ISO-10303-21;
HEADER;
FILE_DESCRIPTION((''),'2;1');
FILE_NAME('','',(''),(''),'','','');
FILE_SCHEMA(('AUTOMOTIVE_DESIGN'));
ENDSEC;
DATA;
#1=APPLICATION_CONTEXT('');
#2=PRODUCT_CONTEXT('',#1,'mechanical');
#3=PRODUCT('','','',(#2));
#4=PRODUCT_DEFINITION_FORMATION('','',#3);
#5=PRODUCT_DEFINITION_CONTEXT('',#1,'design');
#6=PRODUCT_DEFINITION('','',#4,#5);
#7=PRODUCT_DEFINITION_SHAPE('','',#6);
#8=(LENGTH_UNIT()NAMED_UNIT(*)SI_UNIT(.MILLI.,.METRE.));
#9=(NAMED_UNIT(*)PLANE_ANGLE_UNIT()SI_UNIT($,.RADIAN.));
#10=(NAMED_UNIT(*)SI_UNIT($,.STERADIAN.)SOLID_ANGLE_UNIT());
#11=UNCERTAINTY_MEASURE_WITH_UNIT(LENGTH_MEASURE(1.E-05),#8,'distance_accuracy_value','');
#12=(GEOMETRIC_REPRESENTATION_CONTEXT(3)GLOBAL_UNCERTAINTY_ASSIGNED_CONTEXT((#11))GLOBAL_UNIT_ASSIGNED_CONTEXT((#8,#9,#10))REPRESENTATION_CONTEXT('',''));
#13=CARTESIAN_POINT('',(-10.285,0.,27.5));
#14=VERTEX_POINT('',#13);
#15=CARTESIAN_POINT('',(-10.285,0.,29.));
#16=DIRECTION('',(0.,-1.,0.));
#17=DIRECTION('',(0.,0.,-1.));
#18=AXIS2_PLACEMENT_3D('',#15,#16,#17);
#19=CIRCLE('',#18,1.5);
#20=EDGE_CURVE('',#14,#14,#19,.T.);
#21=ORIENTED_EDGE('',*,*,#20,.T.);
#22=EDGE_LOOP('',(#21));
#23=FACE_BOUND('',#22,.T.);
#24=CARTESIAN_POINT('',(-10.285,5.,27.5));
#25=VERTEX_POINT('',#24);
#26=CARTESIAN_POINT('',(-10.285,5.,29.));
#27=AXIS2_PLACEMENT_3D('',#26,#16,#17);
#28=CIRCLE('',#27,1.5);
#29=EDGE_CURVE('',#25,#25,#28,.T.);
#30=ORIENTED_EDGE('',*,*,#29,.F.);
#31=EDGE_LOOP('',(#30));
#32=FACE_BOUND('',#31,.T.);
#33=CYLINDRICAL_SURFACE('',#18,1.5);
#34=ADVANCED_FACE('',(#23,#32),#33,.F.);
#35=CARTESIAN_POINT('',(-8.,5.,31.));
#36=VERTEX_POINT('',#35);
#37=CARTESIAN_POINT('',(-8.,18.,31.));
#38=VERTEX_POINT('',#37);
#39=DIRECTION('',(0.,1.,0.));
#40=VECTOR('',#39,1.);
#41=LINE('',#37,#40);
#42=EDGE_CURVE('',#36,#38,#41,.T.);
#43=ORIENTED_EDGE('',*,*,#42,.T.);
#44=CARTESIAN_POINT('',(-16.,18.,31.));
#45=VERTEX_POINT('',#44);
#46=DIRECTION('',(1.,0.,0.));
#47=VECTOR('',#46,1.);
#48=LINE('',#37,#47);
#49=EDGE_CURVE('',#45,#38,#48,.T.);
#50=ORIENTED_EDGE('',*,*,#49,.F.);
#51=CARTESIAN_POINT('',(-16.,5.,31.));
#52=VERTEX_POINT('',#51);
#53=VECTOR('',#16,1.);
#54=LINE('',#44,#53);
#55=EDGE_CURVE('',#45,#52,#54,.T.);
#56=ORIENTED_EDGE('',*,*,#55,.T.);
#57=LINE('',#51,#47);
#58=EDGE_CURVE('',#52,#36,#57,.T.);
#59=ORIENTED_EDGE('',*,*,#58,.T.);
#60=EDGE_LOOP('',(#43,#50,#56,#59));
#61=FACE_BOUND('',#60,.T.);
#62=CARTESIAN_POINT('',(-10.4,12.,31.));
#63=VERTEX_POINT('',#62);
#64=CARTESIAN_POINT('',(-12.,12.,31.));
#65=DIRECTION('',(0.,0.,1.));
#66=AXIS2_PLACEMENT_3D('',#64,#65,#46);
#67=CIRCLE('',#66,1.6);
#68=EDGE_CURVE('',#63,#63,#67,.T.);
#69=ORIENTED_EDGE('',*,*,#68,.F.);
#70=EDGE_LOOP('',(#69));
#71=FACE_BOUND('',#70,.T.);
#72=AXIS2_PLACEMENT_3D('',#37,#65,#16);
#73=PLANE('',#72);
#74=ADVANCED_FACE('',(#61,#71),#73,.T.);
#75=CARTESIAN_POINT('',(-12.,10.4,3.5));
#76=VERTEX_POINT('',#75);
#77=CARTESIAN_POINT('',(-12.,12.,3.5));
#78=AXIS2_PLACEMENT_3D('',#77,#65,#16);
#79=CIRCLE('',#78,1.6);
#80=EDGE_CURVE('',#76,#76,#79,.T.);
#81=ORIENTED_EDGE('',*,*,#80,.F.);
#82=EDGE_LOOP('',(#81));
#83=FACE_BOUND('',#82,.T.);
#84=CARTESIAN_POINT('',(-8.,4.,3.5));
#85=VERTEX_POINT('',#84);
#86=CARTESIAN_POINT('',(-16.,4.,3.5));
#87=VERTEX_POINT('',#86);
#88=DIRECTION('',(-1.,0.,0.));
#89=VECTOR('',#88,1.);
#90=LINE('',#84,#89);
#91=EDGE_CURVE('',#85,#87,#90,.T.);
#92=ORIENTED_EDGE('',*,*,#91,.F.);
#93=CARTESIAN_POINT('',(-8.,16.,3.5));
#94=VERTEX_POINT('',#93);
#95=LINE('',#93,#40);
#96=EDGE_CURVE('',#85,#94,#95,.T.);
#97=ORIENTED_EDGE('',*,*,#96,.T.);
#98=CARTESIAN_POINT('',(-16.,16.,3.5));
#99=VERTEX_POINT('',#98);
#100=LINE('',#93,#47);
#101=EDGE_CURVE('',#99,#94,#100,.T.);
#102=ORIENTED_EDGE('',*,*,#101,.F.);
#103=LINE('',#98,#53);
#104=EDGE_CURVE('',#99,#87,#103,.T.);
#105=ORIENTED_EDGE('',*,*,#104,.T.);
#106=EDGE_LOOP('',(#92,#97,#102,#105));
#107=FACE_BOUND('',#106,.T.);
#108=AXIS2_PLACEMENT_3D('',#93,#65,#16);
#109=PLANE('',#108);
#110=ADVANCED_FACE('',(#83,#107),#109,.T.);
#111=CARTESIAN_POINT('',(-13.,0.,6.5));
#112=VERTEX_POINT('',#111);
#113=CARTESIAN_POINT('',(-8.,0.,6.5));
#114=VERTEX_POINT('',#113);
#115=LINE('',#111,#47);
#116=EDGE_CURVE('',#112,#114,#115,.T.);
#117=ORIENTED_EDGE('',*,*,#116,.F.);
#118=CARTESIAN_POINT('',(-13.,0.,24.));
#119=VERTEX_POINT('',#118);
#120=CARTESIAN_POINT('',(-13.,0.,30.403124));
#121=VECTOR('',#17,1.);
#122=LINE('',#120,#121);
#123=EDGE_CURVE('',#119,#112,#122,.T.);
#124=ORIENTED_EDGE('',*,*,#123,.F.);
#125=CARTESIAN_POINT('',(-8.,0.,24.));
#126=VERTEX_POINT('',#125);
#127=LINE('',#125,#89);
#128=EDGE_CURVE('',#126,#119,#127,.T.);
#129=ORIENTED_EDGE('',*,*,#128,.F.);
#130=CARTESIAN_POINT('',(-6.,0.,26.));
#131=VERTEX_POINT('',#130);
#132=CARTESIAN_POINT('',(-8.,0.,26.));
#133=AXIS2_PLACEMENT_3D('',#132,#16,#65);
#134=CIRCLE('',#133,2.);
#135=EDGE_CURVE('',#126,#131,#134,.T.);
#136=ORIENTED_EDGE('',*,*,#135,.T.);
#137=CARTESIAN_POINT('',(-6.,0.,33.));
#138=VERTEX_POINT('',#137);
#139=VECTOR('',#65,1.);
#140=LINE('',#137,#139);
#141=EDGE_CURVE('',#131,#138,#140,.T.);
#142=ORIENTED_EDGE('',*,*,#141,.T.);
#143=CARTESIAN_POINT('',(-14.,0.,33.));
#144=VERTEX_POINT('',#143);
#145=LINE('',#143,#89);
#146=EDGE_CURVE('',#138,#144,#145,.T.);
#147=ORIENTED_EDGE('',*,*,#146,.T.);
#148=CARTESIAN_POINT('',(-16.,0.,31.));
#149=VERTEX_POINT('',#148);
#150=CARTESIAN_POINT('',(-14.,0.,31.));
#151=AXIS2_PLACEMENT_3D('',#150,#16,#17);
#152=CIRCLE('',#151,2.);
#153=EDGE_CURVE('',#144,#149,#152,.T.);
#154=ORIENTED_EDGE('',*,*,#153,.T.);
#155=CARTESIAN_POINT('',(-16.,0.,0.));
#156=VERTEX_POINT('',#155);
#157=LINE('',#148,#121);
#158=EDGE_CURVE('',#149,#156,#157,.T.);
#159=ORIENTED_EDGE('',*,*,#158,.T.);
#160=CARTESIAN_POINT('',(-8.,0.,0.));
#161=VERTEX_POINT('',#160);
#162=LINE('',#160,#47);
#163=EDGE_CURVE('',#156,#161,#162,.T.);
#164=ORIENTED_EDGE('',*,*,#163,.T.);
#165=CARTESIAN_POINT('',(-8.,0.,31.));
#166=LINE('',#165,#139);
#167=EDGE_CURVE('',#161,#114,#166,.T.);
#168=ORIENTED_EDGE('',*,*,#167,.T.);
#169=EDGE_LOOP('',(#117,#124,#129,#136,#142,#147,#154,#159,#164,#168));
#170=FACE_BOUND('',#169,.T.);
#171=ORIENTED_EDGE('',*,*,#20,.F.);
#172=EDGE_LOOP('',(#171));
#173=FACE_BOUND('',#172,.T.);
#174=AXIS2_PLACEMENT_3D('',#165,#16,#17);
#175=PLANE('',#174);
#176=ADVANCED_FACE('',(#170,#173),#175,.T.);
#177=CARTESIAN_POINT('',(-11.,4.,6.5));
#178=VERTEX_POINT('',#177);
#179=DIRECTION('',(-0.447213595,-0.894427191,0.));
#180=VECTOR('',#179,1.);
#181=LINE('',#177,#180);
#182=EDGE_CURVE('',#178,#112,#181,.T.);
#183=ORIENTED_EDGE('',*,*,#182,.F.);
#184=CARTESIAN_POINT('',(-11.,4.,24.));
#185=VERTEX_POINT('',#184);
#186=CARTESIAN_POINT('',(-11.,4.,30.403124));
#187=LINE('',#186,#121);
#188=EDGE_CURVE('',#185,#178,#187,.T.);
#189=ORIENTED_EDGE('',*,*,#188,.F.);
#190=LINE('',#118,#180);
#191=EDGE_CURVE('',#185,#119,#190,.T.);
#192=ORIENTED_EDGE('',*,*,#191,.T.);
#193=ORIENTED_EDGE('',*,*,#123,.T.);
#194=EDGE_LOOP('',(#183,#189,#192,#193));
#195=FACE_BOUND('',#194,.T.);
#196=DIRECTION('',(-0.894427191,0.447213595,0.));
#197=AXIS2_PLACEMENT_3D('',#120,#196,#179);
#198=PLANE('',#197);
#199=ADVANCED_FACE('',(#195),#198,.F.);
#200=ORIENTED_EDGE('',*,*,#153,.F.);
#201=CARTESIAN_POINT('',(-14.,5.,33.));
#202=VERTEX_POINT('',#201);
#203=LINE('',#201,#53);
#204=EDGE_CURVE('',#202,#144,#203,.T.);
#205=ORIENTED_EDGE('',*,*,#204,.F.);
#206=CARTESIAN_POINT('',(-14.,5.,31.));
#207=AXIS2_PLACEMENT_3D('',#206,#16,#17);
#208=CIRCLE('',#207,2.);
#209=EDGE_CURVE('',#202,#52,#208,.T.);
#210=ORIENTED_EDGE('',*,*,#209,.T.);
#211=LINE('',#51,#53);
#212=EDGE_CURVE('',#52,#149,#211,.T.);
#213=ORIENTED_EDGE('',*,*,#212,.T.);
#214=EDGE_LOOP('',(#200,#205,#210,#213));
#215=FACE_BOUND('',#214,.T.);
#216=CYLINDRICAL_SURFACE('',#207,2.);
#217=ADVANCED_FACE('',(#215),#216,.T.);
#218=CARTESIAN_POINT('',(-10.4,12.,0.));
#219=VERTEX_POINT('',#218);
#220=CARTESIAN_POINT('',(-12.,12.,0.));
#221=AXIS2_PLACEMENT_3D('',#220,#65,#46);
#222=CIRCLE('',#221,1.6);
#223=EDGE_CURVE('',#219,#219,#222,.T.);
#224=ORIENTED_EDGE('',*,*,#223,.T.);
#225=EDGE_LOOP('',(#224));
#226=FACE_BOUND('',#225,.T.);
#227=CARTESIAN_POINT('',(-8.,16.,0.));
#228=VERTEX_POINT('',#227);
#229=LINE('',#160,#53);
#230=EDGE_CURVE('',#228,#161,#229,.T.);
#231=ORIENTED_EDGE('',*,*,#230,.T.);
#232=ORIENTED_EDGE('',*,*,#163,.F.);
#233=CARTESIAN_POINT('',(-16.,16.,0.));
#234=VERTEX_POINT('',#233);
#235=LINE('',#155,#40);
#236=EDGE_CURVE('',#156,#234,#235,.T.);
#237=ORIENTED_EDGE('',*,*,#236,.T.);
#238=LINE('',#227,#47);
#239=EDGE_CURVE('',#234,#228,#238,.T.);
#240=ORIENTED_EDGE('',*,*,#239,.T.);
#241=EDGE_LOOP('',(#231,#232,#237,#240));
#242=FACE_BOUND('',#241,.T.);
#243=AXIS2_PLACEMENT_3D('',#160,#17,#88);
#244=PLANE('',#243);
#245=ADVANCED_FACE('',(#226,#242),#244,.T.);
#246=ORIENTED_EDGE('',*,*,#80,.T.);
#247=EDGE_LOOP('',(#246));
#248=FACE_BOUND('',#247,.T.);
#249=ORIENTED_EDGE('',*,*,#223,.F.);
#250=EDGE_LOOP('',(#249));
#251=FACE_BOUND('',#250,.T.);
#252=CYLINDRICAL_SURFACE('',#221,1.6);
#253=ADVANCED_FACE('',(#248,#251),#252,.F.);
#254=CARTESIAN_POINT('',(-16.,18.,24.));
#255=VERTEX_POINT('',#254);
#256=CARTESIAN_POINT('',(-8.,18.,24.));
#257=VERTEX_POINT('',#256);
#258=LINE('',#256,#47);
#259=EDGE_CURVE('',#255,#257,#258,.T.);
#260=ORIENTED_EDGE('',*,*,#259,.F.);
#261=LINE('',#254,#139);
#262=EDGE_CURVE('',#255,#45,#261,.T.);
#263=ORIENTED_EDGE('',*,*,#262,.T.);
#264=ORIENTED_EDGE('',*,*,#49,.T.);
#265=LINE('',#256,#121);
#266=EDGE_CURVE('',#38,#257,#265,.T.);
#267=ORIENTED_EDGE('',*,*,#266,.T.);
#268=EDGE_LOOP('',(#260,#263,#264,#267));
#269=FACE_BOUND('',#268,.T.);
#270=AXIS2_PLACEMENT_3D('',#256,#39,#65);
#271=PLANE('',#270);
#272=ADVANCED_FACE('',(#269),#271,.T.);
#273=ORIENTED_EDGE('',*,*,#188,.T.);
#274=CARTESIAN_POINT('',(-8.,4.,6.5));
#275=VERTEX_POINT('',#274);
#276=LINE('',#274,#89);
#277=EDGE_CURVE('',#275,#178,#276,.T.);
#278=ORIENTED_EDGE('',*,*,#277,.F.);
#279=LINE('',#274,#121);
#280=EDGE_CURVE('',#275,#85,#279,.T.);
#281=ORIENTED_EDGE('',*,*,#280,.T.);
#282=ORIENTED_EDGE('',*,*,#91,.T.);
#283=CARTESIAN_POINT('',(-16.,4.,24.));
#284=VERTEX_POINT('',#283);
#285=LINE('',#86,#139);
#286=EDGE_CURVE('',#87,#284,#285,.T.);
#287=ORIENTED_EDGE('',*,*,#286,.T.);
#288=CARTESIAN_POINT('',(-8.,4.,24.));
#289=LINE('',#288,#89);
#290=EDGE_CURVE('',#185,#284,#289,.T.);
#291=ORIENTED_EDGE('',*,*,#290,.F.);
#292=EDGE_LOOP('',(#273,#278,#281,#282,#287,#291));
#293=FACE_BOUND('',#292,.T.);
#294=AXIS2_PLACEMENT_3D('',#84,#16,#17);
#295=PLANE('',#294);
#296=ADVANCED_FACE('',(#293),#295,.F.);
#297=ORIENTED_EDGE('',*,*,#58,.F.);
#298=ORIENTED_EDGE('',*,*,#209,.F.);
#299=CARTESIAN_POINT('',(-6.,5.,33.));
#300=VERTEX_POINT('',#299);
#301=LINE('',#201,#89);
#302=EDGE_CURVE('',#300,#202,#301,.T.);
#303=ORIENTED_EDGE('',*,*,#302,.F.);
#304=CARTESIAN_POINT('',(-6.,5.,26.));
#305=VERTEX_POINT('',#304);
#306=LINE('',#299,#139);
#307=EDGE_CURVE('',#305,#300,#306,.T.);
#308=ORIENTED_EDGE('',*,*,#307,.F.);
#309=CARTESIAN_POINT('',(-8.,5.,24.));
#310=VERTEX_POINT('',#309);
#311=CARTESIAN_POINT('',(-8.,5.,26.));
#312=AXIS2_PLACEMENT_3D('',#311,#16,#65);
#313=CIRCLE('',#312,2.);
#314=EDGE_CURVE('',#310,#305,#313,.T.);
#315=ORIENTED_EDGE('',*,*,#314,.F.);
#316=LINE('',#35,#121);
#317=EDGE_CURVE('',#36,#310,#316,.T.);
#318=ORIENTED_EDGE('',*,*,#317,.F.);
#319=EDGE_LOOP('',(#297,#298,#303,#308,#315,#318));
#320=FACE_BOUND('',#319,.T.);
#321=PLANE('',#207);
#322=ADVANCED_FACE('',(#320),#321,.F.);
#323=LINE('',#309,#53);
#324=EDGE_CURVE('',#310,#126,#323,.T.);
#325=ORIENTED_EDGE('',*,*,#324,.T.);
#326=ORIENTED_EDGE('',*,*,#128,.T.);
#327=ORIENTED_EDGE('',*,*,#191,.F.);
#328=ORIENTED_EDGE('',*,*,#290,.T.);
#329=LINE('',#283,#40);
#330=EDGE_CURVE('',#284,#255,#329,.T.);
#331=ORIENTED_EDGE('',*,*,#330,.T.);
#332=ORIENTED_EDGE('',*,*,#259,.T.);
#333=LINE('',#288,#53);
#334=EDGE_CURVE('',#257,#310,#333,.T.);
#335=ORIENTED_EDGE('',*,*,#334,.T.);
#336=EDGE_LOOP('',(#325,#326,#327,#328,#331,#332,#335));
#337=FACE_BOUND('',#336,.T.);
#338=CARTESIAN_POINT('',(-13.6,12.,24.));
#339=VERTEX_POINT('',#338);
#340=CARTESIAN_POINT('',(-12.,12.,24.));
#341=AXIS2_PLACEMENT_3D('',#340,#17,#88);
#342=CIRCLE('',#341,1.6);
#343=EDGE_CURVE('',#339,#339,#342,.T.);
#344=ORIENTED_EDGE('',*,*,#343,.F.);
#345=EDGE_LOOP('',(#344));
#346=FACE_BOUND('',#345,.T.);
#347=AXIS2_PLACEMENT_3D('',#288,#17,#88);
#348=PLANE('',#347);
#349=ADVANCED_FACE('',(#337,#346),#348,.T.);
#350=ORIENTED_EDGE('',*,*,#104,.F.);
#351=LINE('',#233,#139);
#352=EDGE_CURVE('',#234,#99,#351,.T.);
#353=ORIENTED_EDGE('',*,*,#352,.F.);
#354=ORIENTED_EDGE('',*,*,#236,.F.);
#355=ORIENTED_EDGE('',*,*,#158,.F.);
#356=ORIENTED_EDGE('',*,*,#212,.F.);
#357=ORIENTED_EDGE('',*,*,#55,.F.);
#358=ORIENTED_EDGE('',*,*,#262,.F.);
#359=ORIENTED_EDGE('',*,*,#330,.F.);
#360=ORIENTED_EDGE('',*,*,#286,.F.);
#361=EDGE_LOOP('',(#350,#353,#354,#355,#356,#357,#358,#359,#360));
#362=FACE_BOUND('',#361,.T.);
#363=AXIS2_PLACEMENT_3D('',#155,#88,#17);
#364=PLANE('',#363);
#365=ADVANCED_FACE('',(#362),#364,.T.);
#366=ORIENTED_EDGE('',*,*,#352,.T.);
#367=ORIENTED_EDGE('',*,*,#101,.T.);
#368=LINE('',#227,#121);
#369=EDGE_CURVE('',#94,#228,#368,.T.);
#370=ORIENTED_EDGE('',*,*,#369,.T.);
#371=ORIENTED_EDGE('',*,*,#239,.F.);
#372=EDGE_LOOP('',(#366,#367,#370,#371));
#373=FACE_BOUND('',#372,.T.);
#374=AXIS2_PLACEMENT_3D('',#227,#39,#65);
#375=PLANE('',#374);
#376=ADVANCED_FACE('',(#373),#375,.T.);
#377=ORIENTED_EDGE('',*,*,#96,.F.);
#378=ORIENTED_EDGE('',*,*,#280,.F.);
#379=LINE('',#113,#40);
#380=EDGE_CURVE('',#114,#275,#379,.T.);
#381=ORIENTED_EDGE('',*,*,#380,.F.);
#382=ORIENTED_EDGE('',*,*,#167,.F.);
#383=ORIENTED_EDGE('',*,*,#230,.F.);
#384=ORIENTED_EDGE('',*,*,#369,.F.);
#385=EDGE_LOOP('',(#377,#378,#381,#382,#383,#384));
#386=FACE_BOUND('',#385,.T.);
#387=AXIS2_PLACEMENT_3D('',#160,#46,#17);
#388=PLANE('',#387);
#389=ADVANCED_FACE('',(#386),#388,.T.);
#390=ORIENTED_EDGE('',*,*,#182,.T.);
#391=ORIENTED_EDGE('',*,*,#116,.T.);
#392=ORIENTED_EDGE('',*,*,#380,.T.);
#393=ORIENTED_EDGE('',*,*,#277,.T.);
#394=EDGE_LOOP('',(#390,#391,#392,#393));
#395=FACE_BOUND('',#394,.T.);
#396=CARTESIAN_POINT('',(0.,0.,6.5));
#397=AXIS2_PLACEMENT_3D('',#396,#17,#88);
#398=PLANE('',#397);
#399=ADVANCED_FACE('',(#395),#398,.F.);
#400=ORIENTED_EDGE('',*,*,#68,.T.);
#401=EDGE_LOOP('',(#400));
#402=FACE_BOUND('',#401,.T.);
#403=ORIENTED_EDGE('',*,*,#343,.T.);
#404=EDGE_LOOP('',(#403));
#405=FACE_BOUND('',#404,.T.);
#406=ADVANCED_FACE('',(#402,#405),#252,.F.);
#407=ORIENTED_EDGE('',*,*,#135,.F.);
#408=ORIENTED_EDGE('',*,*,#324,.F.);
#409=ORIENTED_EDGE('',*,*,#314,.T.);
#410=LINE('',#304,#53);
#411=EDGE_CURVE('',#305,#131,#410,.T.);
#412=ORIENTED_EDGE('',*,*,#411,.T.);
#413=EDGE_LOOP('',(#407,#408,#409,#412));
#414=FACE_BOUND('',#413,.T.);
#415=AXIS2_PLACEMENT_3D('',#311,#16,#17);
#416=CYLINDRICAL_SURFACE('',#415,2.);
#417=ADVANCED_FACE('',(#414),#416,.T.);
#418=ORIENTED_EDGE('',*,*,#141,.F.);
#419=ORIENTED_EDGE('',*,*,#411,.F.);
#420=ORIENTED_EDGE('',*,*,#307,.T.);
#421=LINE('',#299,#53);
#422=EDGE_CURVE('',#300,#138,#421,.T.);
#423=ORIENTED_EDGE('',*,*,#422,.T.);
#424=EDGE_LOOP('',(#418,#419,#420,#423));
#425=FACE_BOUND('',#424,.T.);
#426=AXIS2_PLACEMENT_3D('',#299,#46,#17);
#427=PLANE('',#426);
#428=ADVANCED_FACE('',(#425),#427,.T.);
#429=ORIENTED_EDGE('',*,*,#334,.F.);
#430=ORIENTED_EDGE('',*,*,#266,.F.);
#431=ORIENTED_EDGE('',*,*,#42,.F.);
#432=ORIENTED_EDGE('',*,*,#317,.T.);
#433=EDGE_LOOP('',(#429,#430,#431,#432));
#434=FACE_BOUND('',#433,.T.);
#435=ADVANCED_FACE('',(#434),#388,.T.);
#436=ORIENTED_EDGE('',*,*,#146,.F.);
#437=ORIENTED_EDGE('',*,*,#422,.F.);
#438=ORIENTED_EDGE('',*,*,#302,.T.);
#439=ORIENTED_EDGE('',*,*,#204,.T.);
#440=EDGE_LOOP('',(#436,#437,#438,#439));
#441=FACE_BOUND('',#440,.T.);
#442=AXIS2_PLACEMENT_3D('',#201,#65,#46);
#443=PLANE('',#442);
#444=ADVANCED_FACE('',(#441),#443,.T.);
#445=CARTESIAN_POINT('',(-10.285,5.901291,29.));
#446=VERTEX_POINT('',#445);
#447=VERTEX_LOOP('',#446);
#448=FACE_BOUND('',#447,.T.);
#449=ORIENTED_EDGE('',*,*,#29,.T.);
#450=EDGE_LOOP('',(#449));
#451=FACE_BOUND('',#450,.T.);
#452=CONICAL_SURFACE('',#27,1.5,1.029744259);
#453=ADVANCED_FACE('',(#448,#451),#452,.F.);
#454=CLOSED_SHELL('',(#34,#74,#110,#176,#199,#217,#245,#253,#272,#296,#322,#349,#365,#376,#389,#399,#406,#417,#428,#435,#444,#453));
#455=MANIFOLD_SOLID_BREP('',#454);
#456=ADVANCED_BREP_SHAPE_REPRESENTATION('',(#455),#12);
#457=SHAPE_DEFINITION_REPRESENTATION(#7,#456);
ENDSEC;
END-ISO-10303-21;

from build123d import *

# Parameters (mm, degrees)
BOSS_EXTRUDE1_DEPTH       = 8
CUT_EXTRUDE2_DEPTH        = 20.5
SKETCH6_W                 = 35.270415117
SKETCH6_H                 = 22.226622545
CUT_EXTRUDE3_DEPTH        = 8
BOSS_EXTRUDE2_DEPTH       = 3
BOSS_EXTRUDE7_DEPTH       = 5
SKETCH7_R                 = 1.6
CUT_EXTRUDE6_DEPTH        = 40.255572853
F_3_0MM_DOWEL_HOLE1_D     = 3
F_3_0MM_DOWEL_HOLE1_DEPTH = 5
F_3_0MM_DOWEL_HOLE1_TIP   = 0.901290929


with BuildPart() as part:
    # Sketch1 → Boss-Extrude1 (new body)
    with BuildSketch(Plane(origin=(0, 0, 0), x_dir=(0, 0, -1), z_dir=(1, 0, 0))):
        Polygon((0, 0), (0, 16), (-3.5, 16), (-3.5, 4), (-24, 4), (-24, 18), (-31, 18), (-31, 0), align=None)
    boss_extrude1 = extrude(amount=-BOSS_EXTRUDE1_DEPTH)

    # Sketch5 → Cut-Extrude2 (cut)
    with BuildSketch(Plane.XY.offset(3.5)):
        Polygon((-8, 0), (-3, 0), (-5, 4), (-8, 4), align=None)
    cut_extrude2 = extrude(amount=CUT_EXTRUDE2_DEPTH, mode=Mode.SUBTRACT)

    # Mirror1: Boss-Extrude1, Cut-Extrude2 across plane
    add(boss_extrude1.mirror(Plane(origin=(-8, 0, 0), x_dir=(0, 0, 1), z_dir=(1, 0, 0))))
    add(cut_extrude2.mirror(Plane(origin=(-8, 0, 0), x_dir=(0, 0, 1), z_dir=(1, 0, 0))), mode=Mode.SUBTRACT)

    # Sketch6 → Cut-Extrude3 (cut)
    with BuildSketch(Plane(origin=(0, 0, 0), x_dir=(0, 0, -1), z_dir=(1, 0, 0))):
        with Locations((-16.260875851, 8.713036563)):
            Rectangle(SKETCH6_W, SKETCH6_H)
    extrude(amount=-CUT_EXTRUDE3_DEPTH, mode=Mode.SUBTRACT)

    # Sketch9 → Boss-Extrude2 (add)
    with BuildSketch(Plane.XY.offset(3.5)):
        Polygon((-11, 4), (-13, 0), (-8, 0), (-8, 4), align=None)
    extrude(amount=BOSS_EXTRUDE2_DEPTH)

    # Sketch13 → Boss-Extrude7 (add)
    with BuildSketch(Plane.XZ):
        with BuildLine():
            Line((-14, 33), (-6, 33))
            Line((-6, 33), (-6, 26))
            ThreePointArc((-6, 26), (-6.585786438, 24.585786438), (-8, 24))
            Line((-8, 24), (-8, 31))
            Line((-8, 31), (-16, 31))
            ThreePointArc((-16, 31), (-15.414213562, 32.414213562), (-14, 33))
        make_face()
    extrude(amount=-BOSS_EXTRUDE7_DEPTH)

    # Sketch7 → Cut-Extrude6 (cut, through all)
    with BuildSketch(Plane.XY.offset(31)):
        with Locations((-12, 12)):
            Circle(SKETCH7_R)
    extrude(amount=-CUT_EXTRUDE6_DEPTH, mode=Mode.SUBTRACT)

    # Ø3.0mm Dowel Hole1
    with Locations(Plane(origin=(0, 0, 0), x_dir=(-1, 0, 0), z_dir=(0, -1, 0))):
        with Locations((10.285, -29)):
            Hole(F_3_0MM_DOWEL_HOLE1_D / 2, depth=F_3_0MM_DOWEL_HOLE1_DEPTH)
            with Locations((0, 0, -(F_3_0MM_DOWEL_HOLE1_DEPTH + F_3_0MM_DOWEL_HOLE1_TIP / 2))):  # 118° drill point
                Cone(0, F_3_0MM_DOWEL_HOLE1_D / 2, F_3_0MM_DOWEL_HOLE1_TIP, mode=Mode.SUBTRACT)


solid = part.part
